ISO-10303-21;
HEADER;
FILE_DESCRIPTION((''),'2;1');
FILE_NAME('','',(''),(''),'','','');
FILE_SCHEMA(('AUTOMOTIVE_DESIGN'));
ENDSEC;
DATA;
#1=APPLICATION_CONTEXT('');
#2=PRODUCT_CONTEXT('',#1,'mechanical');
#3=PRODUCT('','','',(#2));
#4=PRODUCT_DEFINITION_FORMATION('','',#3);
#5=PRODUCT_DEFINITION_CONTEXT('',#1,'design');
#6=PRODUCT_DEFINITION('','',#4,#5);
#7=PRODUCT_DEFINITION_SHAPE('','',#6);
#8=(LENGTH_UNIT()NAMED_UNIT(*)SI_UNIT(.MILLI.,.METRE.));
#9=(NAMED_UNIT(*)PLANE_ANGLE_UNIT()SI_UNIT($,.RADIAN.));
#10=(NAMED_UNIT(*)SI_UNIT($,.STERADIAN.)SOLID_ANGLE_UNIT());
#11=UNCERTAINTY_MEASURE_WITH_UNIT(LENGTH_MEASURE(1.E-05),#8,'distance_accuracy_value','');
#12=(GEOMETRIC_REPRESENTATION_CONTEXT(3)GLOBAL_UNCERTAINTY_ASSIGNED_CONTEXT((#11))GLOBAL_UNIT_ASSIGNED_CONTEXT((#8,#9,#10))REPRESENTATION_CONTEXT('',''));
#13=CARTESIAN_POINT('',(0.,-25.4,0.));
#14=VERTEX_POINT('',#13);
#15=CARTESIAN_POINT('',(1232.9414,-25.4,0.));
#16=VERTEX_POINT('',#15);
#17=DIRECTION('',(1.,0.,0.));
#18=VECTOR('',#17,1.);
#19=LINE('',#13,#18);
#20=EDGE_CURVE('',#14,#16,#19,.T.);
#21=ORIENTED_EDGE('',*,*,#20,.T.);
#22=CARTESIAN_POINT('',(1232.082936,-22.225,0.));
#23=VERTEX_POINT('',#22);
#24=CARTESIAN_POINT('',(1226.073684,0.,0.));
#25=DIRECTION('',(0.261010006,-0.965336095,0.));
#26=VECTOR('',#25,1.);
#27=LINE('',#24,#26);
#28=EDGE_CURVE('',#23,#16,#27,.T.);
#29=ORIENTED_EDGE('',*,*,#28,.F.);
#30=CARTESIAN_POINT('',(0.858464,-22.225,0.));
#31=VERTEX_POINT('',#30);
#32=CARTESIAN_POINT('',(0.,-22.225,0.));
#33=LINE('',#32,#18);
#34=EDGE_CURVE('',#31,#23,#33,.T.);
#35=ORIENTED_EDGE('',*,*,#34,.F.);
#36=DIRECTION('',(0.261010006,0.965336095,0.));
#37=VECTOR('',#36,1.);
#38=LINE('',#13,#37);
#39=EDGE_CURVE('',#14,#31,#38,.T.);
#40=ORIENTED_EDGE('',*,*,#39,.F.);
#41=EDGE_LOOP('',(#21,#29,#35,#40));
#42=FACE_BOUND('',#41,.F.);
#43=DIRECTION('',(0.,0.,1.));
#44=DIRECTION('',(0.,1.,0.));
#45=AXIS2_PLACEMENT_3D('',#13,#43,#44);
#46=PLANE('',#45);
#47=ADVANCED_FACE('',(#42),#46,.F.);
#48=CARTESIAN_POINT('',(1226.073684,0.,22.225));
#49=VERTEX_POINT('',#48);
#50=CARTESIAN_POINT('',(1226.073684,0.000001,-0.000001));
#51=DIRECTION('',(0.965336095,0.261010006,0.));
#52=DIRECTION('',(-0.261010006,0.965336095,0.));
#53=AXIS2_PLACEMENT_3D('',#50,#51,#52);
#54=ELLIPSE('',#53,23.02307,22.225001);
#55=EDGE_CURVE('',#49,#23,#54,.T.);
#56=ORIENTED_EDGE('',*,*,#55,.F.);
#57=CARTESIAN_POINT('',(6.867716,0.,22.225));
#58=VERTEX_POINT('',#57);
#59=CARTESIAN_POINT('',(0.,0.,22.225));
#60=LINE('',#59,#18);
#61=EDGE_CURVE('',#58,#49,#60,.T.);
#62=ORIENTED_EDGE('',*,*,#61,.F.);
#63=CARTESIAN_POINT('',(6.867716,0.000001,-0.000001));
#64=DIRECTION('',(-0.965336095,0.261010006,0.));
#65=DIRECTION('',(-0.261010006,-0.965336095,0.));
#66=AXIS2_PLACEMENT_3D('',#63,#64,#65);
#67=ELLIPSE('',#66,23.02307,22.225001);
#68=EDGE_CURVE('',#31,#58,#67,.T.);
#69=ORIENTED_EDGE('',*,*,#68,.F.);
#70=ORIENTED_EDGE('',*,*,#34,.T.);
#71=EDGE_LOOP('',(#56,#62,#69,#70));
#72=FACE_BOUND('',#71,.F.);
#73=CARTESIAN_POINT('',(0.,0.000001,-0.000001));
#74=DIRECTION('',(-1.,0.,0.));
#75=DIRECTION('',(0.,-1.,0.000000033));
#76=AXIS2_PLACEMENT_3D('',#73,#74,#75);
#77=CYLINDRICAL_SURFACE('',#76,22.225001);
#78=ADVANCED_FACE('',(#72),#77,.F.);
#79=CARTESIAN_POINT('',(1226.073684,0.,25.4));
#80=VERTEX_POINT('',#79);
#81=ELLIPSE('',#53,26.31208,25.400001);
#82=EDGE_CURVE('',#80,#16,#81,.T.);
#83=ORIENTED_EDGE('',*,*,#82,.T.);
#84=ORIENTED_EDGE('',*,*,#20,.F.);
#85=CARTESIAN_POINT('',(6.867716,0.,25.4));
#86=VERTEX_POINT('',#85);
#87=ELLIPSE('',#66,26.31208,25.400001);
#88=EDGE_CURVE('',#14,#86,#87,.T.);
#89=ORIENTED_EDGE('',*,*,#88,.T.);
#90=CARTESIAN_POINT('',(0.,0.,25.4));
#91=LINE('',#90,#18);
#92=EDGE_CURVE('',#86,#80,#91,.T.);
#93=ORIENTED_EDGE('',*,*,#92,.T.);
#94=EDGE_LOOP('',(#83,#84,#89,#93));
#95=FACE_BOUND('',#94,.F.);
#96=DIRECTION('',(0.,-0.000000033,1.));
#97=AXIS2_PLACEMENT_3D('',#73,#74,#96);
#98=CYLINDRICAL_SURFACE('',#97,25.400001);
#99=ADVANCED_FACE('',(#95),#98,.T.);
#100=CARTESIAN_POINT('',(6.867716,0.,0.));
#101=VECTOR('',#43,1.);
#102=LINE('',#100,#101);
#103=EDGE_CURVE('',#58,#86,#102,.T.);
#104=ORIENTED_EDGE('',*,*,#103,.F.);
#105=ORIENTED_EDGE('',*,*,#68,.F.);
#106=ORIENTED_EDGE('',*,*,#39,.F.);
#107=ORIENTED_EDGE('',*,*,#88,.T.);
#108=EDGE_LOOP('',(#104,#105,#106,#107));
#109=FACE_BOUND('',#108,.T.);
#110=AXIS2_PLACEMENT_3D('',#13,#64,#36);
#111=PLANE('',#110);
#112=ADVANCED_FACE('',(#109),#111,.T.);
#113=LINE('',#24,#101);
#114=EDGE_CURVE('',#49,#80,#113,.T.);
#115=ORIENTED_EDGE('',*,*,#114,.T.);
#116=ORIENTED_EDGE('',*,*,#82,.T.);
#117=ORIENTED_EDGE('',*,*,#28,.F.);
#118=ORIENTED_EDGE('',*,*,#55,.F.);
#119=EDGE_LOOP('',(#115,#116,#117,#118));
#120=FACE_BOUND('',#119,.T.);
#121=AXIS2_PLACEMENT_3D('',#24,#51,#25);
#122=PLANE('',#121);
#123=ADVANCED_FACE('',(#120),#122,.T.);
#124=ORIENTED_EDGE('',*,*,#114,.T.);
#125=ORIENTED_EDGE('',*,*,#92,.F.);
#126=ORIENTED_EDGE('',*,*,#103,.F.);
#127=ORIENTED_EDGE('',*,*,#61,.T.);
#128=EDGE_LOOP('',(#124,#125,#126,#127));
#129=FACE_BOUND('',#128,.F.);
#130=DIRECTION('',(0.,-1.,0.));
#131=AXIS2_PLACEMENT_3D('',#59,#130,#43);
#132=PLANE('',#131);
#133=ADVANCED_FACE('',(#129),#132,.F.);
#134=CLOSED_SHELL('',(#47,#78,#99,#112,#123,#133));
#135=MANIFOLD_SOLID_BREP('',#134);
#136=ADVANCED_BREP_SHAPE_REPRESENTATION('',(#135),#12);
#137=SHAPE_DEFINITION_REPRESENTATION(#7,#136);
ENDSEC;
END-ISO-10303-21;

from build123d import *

# Parameters (mm, degrees)
F1_DEPTH = 1232.9414
F3_DEPTH = 25.4


with BuildPart() as f1:
    # F0 (on Right) → F1 (new body)
    with BuildSketch(Plane.YZ):
        with BuildLine():
            ThreePointArc((0, 25.4), (-17.960512, 17.960512), (-25.4, 0))
            Line((-25.4, 0), (-22.225, 0))
            ThreePointArc((-22.225, 0), (-15.715448, 15.715448), (0, 22.225))
            Line((0, 22.225), (0, 25.4))
        make_face()
    extrude(amount=F1_DEPTH)

    # F2 (on Top) → F3 (cut)
    with BuildSketch(Plane.XY):
        Polygon((0, 0), (0, -25.4), (6.867716, 0), align=None)
        Polygon((1232.9414, -25.4), (1232.9414, 0), (1226.073684, 0), align=None)
    extrude(amount=F3_DEPTH, mode=Mode.SUBTRACT)


solid = f1.part
